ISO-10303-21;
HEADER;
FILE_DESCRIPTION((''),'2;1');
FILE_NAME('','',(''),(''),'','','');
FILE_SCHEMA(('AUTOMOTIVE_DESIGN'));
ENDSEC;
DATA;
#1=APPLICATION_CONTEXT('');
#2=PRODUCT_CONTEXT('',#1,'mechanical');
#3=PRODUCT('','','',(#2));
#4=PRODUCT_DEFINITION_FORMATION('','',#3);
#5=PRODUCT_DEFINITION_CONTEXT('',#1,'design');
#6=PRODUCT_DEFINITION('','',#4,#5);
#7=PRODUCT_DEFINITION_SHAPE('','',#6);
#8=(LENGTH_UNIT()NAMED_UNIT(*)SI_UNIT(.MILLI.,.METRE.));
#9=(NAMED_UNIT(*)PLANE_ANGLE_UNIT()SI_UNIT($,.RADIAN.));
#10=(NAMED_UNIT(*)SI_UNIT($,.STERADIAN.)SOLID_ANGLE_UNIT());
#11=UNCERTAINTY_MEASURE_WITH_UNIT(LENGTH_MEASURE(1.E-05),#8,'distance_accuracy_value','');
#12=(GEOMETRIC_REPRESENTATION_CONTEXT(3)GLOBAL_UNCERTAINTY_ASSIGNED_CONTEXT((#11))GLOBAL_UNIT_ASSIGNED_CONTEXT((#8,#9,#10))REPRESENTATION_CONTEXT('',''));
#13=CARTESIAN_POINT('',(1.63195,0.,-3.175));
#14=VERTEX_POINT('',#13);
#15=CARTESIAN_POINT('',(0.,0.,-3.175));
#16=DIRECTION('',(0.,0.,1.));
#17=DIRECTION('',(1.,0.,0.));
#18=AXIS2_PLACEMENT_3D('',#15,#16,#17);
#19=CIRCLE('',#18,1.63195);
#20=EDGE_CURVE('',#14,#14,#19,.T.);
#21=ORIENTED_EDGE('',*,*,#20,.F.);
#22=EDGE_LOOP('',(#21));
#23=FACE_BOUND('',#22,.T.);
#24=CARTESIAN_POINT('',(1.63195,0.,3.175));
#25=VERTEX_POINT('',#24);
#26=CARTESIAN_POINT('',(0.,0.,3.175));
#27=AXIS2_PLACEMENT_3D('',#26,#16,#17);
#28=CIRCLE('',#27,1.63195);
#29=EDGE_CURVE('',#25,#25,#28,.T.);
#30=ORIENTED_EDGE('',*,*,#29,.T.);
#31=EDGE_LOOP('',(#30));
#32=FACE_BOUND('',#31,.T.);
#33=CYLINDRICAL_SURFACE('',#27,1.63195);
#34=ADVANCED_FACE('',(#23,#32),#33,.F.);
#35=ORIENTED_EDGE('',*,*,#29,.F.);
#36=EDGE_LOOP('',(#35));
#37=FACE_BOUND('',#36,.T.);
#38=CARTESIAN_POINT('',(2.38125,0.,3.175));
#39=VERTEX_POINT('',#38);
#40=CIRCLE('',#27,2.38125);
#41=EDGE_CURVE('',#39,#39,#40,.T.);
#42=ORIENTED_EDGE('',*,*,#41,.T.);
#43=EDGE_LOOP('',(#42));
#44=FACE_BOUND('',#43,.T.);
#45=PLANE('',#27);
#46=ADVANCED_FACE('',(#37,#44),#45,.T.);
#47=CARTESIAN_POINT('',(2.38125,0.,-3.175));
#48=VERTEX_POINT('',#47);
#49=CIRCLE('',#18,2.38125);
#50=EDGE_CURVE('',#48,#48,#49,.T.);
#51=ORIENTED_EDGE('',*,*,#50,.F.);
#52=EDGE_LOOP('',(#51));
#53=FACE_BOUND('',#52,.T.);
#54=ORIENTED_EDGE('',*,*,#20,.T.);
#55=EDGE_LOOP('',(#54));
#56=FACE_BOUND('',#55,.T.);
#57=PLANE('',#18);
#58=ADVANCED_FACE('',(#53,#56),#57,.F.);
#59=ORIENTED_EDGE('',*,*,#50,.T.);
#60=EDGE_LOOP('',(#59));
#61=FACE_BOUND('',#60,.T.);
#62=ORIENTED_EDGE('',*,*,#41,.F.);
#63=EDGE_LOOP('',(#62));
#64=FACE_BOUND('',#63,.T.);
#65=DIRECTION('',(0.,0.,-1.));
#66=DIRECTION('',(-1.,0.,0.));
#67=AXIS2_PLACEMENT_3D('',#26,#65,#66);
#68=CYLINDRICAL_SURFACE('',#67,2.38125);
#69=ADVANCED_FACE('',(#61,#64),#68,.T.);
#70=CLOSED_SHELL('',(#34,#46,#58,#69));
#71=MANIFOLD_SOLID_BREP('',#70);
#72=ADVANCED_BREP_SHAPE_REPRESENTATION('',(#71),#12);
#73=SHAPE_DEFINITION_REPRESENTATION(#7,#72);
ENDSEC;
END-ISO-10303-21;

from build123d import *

# Parameters (mm, degrees)
SKETCH1_R                 = 2.38125
EXTRUDE1_DEPTH            = 3.175
F_4_CLEARANCE_HOLE1_D     = 3.2639
F_4_CLEARANCE_HOLE1_DEPTH = 6.35
F_4_CLEARANCE_HOLE1_TIP   = 0.980574487


with BuildPart() as part:
    # Sketch1 → Extrude1 (new body, symmetric)
    with BuildSketch(Plane.XY):
        Circle(SKETCH1_R)
    extrude(amount=EXTRUDE1_DEPTH, both=True)

    # #4 Clearance Hole1
    with Locations(Plane.XY.offset(3.175)):
        with Locations((0, 0)):
            Hole(F_4_CLEARANCE_HOLE1_D / 2, depth=F_4_CLEARANCE_HOLE1_DEPTH)
            with Locations((0, 0, -(F_4_CLEARANCE_HOLE1_DEPTH + F_4_CLEARANCE_HOLE1_TIP / 2))):  # 118° drill point
                Cone(0, F_4_CLEARANCE_HOLE1_D / 2, F_4_CLEARANCE_HOLE1_TIP, mode=Mode.SUBTRACT)


solid = part.part
